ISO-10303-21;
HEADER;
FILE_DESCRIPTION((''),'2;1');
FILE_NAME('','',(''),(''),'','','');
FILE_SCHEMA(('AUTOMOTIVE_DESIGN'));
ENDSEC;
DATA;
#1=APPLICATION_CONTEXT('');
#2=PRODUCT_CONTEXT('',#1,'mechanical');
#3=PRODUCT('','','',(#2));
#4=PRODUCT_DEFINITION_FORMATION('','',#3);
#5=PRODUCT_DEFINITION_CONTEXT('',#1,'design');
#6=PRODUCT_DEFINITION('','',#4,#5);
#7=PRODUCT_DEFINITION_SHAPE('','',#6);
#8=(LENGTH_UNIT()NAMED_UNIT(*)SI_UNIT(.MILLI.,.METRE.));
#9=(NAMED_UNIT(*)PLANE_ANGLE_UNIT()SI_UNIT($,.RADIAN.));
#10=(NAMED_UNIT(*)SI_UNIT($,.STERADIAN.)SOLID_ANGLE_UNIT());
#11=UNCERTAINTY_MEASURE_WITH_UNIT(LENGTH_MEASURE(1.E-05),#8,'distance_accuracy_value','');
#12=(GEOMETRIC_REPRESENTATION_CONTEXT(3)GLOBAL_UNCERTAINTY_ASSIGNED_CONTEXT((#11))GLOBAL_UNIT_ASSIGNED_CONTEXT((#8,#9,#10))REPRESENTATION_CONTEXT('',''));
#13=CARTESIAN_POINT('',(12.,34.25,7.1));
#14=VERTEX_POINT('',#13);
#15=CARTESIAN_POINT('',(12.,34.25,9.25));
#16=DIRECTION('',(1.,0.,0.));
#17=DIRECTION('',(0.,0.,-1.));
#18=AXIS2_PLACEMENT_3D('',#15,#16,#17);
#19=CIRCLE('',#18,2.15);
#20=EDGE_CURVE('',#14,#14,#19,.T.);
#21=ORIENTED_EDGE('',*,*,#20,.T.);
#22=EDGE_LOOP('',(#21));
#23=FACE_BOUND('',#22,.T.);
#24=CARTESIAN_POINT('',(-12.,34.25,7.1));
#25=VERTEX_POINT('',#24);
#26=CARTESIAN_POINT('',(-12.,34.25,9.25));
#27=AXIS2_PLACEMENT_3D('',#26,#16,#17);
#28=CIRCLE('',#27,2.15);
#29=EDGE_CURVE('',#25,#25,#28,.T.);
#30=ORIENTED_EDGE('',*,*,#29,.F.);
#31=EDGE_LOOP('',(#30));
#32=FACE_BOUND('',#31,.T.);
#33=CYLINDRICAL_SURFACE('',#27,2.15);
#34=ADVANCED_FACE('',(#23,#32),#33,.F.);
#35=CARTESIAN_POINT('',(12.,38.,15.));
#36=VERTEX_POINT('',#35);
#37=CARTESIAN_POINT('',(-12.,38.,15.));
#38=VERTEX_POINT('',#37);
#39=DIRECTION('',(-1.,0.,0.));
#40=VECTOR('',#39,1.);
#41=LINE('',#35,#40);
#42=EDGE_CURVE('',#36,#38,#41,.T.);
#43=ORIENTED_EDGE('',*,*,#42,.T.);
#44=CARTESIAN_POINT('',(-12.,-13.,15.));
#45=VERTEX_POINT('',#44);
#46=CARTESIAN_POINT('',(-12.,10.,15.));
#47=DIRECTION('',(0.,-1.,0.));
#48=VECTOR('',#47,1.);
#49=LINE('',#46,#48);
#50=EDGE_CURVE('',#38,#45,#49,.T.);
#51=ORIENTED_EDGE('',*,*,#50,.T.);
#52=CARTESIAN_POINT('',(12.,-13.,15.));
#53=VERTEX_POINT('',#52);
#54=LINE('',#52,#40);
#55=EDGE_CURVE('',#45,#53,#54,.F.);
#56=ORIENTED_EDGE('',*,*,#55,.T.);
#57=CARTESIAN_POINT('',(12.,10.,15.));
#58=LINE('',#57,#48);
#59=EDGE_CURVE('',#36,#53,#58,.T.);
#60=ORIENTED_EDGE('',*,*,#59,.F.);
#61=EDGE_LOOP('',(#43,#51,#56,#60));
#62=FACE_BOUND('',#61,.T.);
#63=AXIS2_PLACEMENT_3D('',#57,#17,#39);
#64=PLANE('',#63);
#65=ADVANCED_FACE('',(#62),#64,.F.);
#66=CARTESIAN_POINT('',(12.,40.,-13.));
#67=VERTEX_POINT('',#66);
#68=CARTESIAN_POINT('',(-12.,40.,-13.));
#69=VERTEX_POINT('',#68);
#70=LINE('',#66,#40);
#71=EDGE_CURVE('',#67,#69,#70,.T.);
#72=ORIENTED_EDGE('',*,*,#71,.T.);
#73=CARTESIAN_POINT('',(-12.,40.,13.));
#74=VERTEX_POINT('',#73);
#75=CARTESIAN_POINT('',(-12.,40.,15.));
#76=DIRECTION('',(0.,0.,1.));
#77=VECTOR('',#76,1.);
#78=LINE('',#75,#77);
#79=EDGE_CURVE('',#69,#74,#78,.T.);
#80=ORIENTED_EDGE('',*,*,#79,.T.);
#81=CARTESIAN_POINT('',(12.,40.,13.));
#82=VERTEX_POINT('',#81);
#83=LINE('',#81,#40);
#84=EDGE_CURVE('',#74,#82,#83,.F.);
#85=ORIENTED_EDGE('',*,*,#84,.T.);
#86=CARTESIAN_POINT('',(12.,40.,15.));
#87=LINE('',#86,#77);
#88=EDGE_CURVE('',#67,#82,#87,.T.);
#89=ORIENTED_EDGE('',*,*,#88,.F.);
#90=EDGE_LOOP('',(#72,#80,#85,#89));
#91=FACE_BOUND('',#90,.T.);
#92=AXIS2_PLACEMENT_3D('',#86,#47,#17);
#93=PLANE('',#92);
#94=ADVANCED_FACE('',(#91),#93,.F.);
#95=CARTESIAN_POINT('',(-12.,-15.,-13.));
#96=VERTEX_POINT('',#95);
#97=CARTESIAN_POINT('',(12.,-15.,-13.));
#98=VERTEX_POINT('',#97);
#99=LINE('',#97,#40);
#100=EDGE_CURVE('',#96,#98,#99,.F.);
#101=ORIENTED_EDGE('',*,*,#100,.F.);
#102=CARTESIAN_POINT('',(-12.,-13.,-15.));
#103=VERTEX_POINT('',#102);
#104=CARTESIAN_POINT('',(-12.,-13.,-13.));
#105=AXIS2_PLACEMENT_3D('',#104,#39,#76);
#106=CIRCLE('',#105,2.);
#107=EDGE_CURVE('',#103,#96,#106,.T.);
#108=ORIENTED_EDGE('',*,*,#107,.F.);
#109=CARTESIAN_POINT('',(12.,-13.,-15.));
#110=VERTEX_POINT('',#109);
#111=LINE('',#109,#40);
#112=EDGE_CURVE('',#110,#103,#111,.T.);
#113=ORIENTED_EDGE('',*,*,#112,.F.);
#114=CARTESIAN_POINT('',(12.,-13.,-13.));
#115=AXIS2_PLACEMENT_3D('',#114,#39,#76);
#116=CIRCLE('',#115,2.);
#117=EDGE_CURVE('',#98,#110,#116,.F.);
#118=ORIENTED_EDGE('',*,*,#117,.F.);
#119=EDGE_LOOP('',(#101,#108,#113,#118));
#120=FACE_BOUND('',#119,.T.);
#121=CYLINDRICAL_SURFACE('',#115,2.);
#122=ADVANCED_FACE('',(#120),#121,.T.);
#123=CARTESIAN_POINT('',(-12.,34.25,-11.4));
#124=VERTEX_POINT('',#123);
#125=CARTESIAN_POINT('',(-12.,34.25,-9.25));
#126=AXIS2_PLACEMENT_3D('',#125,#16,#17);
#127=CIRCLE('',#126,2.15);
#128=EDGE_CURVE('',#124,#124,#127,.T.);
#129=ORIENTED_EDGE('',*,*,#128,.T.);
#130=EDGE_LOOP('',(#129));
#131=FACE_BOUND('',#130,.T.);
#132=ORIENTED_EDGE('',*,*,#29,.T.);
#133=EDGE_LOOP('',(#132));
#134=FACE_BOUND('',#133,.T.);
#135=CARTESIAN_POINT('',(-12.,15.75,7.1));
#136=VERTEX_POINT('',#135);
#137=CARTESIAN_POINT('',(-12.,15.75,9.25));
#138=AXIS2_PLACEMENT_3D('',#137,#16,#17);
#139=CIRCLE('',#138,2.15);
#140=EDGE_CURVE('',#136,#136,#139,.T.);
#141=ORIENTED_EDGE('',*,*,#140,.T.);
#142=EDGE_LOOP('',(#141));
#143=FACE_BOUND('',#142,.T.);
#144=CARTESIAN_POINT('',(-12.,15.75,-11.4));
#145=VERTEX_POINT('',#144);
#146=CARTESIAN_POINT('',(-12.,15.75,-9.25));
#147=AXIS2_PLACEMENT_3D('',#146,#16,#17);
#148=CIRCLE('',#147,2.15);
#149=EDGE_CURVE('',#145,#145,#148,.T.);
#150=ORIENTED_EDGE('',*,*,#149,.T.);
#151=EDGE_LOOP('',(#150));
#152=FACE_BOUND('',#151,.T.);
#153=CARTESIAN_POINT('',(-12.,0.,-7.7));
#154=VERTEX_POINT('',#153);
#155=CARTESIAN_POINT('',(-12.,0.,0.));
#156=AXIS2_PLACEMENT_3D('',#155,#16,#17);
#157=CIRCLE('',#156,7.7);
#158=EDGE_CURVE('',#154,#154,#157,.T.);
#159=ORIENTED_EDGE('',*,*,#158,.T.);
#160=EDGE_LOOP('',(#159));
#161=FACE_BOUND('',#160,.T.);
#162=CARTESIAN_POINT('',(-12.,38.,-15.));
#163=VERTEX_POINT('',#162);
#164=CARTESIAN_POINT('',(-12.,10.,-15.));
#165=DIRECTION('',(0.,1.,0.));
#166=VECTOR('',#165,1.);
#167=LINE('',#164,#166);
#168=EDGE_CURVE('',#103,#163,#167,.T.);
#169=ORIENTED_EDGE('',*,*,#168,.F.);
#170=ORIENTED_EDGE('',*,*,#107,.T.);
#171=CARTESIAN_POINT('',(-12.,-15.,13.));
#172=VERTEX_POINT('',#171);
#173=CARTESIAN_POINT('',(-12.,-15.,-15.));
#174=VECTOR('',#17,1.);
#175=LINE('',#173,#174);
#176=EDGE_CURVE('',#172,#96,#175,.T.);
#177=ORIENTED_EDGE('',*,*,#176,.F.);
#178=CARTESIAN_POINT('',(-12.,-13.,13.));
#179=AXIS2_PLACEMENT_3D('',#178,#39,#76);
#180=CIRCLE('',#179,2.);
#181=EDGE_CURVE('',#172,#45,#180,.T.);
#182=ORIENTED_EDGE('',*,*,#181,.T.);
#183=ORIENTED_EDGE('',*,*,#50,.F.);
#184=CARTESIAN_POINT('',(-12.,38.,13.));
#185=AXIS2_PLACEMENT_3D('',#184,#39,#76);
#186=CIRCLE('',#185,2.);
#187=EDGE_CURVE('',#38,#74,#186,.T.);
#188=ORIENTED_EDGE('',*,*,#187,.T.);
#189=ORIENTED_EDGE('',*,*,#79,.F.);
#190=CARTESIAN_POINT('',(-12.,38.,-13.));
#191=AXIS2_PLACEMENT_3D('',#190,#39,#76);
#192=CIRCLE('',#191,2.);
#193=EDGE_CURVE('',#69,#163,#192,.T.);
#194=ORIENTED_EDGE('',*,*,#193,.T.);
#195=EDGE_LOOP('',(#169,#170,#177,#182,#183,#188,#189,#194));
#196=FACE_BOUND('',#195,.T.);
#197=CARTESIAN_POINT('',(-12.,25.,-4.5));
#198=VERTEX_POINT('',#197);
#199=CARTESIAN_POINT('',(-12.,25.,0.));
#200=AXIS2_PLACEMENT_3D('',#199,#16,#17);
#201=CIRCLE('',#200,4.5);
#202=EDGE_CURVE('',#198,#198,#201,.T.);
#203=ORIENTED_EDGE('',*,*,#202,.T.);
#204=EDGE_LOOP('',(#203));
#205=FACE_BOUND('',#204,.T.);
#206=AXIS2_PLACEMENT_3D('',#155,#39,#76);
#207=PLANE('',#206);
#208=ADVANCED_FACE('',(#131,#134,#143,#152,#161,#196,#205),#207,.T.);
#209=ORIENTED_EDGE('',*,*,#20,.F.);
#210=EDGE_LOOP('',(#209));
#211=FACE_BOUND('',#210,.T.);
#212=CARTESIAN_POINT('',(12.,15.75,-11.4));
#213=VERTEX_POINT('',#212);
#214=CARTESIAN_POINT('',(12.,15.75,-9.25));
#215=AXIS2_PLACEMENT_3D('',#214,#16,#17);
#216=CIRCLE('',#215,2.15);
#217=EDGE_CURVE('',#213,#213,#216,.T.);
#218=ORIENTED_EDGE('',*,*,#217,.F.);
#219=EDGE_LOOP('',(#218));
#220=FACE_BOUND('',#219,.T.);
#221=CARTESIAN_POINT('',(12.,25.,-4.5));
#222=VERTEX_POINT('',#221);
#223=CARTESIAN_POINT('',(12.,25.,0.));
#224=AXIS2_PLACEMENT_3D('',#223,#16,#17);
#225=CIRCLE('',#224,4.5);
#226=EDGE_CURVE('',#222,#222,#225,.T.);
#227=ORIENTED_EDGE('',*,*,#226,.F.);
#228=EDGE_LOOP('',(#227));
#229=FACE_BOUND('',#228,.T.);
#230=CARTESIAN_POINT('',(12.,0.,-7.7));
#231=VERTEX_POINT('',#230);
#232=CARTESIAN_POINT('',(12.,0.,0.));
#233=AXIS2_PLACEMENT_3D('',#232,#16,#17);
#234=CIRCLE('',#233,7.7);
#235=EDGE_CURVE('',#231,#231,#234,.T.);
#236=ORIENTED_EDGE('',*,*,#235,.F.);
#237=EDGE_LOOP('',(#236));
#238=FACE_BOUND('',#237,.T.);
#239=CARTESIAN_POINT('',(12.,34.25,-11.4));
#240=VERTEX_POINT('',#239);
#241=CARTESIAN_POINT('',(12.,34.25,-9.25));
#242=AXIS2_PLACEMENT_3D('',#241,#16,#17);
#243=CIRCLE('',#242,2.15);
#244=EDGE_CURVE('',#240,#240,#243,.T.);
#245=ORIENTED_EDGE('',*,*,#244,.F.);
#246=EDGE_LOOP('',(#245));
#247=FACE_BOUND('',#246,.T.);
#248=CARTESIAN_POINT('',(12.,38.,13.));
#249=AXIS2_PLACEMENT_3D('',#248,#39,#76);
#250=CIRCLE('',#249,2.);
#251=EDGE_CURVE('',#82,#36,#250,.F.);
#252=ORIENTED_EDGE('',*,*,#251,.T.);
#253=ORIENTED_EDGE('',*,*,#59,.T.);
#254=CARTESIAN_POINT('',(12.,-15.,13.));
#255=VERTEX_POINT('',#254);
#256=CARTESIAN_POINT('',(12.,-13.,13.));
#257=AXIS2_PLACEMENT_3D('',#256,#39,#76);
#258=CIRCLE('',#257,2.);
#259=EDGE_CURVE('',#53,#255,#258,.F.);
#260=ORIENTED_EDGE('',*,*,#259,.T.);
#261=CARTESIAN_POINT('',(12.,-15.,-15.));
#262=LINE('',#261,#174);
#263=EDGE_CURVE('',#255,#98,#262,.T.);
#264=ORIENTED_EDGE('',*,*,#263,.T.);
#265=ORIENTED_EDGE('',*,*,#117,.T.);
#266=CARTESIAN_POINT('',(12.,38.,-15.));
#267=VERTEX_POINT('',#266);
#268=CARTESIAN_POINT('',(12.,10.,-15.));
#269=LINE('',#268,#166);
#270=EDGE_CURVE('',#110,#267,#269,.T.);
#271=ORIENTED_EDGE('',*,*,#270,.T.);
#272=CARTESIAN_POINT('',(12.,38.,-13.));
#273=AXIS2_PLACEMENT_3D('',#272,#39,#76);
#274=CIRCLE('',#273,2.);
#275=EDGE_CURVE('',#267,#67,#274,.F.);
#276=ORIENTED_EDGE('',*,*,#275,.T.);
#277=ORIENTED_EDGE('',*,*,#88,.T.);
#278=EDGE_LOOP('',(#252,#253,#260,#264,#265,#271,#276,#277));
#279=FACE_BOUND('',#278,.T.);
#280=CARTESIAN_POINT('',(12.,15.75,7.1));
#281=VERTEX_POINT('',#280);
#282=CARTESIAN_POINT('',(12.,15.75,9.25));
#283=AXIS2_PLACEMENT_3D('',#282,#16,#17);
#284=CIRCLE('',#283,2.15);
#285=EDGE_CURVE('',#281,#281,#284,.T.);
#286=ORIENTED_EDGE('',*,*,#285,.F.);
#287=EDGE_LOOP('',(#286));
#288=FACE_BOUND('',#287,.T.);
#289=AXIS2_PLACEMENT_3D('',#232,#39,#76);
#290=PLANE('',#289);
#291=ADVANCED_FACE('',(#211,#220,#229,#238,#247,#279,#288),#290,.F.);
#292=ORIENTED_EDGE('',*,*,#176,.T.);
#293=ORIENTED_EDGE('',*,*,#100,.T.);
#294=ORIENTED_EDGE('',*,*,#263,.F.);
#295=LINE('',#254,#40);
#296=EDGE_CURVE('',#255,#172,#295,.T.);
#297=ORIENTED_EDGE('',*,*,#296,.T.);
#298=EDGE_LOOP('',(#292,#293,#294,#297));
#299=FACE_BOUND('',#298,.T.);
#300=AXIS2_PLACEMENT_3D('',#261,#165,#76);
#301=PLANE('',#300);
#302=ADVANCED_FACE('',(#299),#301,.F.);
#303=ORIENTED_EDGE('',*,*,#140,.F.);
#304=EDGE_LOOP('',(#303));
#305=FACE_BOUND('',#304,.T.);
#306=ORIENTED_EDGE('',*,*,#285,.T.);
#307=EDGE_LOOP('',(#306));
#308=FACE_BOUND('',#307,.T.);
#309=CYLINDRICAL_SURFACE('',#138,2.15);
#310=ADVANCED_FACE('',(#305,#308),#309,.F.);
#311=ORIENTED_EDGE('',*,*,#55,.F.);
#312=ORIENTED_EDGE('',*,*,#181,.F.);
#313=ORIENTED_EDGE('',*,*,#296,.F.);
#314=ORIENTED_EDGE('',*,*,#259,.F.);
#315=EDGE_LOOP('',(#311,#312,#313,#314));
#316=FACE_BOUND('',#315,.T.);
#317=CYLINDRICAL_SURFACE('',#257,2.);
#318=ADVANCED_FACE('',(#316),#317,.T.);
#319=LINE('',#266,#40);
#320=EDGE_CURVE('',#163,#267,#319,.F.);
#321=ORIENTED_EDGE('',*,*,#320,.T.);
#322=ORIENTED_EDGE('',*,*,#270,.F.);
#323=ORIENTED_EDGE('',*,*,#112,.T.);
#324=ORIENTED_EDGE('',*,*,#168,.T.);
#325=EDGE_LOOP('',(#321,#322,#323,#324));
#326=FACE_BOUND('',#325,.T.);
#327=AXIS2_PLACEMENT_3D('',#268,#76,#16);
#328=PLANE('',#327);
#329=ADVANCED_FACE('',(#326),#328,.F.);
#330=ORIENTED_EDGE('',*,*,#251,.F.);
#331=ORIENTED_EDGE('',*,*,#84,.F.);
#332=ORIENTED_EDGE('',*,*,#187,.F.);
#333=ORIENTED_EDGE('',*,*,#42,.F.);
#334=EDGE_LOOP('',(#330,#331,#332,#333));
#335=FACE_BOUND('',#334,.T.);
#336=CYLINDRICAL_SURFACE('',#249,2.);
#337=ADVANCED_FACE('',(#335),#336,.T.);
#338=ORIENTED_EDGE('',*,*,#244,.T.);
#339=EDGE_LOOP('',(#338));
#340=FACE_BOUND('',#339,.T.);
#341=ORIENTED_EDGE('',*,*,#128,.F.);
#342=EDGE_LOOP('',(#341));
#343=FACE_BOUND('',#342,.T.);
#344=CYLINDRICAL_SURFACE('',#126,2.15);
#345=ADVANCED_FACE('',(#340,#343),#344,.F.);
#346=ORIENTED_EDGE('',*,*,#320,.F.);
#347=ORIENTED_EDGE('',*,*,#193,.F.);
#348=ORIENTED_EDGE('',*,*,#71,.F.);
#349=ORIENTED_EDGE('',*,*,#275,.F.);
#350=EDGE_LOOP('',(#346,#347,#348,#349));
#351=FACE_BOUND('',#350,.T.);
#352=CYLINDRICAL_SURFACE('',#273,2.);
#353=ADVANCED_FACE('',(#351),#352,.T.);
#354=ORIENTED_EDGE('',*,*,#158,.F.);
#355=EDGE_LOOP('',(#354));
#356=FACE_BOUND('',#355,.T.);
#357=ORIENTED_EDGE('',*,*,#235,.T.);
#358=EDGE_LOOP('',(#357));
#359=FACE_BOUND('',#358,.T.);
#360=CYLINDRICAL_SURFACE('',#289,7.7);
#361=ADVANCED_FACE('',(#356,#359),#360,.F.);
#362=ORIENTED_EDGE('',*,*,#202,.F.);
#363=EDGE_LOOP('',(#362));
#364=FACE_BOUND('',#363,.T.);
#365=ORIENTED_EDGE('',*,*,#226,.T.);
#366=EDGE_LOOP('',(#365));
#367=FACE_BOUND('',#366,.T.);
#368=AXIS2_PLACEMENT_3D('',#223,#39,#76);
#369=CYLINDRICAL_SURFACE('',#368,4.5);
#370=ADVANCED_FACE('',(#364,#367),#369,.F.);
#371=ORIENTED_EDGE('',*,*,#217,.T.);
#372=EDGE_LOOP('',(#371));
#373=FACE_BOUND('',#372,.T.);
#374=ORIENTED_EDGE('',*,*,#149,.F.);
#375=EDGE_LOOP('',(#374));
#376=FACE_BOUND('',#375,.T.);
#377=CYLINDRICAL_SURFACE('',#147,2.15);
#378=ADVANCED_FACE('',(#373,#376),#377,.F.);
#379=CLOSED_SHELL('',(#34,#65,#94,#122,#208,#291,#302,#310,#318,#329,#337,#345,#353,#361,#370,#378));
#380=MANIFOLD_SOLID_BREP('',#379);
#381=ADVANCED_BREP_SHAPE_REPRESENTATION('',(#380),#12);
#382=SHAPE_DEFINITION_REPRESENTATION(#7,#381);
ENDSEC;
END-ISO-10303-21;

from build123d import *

# Parameters (mm, degrees)
SKETCH1_R           = 7.7
SKETCH1_R_2         = 4.5
BOSS_EXTRUDE1_DEPTH = 12
SKETCH2_R           = 2.15
CUT_EXTRUDE1_DEPTH  = 25
FILLET1_R           = 2


with BuildPart() as part:
    # Sketch1 → Boss-Extrude1 (new body, symmetric)
    with BuildSketch(Plane(origin=(0, 0, 0), x_dir=(0, 0, -1), z_dir=(1, 0, 0))):
        Polygon((15, 10), (15, -15), (-15, -15), (-15, 10), (-15, 40), (15, 40), align=None)
        Circle(SKETCH1_R, mode=Mode.SUBTRACT)
        with Locations((0, 25)):
            Circle(SKETCH1_R_2, mode=Mode.SUBTRACT)
    extrude(amount=BOSS_EXTRUDE1_DEPTH, both=True)

    # Sketch2 → Cut-Extrude1 (cut, through all)
    with BuildSketch(Plane(origin=(12, 0, 0), x_dir=(0, 0, -1), z_dir=(1, 0, 0))):
        with Locations((-9.25, 34.25)):
            Circle(SKETCH2_R)
        with Locations((-9.25, 15.75)):
            Circle(SKETCH2_R)
        with Locations((9.25, 34.25)):
            Circle(SKETCH2_R)
        with Locations((9.25, 15.75)):
            Circle(SKETCH2_R)
    extrude(amount=-CUT_EXTRUDE1_DEPTH, mode=Mode.SUBTRACT)

    # Fillet1
    fillet1_edges = [part.edges().sort_by_distance(p)[0] for p in [
        (0, 40, 15),
        (0, 40, -15),
        (0, -15, -15),
        (0, -15, 15),
    ]]
    fillet(fillet1_edges, radius=FILLET1_R)


solid = part.part
